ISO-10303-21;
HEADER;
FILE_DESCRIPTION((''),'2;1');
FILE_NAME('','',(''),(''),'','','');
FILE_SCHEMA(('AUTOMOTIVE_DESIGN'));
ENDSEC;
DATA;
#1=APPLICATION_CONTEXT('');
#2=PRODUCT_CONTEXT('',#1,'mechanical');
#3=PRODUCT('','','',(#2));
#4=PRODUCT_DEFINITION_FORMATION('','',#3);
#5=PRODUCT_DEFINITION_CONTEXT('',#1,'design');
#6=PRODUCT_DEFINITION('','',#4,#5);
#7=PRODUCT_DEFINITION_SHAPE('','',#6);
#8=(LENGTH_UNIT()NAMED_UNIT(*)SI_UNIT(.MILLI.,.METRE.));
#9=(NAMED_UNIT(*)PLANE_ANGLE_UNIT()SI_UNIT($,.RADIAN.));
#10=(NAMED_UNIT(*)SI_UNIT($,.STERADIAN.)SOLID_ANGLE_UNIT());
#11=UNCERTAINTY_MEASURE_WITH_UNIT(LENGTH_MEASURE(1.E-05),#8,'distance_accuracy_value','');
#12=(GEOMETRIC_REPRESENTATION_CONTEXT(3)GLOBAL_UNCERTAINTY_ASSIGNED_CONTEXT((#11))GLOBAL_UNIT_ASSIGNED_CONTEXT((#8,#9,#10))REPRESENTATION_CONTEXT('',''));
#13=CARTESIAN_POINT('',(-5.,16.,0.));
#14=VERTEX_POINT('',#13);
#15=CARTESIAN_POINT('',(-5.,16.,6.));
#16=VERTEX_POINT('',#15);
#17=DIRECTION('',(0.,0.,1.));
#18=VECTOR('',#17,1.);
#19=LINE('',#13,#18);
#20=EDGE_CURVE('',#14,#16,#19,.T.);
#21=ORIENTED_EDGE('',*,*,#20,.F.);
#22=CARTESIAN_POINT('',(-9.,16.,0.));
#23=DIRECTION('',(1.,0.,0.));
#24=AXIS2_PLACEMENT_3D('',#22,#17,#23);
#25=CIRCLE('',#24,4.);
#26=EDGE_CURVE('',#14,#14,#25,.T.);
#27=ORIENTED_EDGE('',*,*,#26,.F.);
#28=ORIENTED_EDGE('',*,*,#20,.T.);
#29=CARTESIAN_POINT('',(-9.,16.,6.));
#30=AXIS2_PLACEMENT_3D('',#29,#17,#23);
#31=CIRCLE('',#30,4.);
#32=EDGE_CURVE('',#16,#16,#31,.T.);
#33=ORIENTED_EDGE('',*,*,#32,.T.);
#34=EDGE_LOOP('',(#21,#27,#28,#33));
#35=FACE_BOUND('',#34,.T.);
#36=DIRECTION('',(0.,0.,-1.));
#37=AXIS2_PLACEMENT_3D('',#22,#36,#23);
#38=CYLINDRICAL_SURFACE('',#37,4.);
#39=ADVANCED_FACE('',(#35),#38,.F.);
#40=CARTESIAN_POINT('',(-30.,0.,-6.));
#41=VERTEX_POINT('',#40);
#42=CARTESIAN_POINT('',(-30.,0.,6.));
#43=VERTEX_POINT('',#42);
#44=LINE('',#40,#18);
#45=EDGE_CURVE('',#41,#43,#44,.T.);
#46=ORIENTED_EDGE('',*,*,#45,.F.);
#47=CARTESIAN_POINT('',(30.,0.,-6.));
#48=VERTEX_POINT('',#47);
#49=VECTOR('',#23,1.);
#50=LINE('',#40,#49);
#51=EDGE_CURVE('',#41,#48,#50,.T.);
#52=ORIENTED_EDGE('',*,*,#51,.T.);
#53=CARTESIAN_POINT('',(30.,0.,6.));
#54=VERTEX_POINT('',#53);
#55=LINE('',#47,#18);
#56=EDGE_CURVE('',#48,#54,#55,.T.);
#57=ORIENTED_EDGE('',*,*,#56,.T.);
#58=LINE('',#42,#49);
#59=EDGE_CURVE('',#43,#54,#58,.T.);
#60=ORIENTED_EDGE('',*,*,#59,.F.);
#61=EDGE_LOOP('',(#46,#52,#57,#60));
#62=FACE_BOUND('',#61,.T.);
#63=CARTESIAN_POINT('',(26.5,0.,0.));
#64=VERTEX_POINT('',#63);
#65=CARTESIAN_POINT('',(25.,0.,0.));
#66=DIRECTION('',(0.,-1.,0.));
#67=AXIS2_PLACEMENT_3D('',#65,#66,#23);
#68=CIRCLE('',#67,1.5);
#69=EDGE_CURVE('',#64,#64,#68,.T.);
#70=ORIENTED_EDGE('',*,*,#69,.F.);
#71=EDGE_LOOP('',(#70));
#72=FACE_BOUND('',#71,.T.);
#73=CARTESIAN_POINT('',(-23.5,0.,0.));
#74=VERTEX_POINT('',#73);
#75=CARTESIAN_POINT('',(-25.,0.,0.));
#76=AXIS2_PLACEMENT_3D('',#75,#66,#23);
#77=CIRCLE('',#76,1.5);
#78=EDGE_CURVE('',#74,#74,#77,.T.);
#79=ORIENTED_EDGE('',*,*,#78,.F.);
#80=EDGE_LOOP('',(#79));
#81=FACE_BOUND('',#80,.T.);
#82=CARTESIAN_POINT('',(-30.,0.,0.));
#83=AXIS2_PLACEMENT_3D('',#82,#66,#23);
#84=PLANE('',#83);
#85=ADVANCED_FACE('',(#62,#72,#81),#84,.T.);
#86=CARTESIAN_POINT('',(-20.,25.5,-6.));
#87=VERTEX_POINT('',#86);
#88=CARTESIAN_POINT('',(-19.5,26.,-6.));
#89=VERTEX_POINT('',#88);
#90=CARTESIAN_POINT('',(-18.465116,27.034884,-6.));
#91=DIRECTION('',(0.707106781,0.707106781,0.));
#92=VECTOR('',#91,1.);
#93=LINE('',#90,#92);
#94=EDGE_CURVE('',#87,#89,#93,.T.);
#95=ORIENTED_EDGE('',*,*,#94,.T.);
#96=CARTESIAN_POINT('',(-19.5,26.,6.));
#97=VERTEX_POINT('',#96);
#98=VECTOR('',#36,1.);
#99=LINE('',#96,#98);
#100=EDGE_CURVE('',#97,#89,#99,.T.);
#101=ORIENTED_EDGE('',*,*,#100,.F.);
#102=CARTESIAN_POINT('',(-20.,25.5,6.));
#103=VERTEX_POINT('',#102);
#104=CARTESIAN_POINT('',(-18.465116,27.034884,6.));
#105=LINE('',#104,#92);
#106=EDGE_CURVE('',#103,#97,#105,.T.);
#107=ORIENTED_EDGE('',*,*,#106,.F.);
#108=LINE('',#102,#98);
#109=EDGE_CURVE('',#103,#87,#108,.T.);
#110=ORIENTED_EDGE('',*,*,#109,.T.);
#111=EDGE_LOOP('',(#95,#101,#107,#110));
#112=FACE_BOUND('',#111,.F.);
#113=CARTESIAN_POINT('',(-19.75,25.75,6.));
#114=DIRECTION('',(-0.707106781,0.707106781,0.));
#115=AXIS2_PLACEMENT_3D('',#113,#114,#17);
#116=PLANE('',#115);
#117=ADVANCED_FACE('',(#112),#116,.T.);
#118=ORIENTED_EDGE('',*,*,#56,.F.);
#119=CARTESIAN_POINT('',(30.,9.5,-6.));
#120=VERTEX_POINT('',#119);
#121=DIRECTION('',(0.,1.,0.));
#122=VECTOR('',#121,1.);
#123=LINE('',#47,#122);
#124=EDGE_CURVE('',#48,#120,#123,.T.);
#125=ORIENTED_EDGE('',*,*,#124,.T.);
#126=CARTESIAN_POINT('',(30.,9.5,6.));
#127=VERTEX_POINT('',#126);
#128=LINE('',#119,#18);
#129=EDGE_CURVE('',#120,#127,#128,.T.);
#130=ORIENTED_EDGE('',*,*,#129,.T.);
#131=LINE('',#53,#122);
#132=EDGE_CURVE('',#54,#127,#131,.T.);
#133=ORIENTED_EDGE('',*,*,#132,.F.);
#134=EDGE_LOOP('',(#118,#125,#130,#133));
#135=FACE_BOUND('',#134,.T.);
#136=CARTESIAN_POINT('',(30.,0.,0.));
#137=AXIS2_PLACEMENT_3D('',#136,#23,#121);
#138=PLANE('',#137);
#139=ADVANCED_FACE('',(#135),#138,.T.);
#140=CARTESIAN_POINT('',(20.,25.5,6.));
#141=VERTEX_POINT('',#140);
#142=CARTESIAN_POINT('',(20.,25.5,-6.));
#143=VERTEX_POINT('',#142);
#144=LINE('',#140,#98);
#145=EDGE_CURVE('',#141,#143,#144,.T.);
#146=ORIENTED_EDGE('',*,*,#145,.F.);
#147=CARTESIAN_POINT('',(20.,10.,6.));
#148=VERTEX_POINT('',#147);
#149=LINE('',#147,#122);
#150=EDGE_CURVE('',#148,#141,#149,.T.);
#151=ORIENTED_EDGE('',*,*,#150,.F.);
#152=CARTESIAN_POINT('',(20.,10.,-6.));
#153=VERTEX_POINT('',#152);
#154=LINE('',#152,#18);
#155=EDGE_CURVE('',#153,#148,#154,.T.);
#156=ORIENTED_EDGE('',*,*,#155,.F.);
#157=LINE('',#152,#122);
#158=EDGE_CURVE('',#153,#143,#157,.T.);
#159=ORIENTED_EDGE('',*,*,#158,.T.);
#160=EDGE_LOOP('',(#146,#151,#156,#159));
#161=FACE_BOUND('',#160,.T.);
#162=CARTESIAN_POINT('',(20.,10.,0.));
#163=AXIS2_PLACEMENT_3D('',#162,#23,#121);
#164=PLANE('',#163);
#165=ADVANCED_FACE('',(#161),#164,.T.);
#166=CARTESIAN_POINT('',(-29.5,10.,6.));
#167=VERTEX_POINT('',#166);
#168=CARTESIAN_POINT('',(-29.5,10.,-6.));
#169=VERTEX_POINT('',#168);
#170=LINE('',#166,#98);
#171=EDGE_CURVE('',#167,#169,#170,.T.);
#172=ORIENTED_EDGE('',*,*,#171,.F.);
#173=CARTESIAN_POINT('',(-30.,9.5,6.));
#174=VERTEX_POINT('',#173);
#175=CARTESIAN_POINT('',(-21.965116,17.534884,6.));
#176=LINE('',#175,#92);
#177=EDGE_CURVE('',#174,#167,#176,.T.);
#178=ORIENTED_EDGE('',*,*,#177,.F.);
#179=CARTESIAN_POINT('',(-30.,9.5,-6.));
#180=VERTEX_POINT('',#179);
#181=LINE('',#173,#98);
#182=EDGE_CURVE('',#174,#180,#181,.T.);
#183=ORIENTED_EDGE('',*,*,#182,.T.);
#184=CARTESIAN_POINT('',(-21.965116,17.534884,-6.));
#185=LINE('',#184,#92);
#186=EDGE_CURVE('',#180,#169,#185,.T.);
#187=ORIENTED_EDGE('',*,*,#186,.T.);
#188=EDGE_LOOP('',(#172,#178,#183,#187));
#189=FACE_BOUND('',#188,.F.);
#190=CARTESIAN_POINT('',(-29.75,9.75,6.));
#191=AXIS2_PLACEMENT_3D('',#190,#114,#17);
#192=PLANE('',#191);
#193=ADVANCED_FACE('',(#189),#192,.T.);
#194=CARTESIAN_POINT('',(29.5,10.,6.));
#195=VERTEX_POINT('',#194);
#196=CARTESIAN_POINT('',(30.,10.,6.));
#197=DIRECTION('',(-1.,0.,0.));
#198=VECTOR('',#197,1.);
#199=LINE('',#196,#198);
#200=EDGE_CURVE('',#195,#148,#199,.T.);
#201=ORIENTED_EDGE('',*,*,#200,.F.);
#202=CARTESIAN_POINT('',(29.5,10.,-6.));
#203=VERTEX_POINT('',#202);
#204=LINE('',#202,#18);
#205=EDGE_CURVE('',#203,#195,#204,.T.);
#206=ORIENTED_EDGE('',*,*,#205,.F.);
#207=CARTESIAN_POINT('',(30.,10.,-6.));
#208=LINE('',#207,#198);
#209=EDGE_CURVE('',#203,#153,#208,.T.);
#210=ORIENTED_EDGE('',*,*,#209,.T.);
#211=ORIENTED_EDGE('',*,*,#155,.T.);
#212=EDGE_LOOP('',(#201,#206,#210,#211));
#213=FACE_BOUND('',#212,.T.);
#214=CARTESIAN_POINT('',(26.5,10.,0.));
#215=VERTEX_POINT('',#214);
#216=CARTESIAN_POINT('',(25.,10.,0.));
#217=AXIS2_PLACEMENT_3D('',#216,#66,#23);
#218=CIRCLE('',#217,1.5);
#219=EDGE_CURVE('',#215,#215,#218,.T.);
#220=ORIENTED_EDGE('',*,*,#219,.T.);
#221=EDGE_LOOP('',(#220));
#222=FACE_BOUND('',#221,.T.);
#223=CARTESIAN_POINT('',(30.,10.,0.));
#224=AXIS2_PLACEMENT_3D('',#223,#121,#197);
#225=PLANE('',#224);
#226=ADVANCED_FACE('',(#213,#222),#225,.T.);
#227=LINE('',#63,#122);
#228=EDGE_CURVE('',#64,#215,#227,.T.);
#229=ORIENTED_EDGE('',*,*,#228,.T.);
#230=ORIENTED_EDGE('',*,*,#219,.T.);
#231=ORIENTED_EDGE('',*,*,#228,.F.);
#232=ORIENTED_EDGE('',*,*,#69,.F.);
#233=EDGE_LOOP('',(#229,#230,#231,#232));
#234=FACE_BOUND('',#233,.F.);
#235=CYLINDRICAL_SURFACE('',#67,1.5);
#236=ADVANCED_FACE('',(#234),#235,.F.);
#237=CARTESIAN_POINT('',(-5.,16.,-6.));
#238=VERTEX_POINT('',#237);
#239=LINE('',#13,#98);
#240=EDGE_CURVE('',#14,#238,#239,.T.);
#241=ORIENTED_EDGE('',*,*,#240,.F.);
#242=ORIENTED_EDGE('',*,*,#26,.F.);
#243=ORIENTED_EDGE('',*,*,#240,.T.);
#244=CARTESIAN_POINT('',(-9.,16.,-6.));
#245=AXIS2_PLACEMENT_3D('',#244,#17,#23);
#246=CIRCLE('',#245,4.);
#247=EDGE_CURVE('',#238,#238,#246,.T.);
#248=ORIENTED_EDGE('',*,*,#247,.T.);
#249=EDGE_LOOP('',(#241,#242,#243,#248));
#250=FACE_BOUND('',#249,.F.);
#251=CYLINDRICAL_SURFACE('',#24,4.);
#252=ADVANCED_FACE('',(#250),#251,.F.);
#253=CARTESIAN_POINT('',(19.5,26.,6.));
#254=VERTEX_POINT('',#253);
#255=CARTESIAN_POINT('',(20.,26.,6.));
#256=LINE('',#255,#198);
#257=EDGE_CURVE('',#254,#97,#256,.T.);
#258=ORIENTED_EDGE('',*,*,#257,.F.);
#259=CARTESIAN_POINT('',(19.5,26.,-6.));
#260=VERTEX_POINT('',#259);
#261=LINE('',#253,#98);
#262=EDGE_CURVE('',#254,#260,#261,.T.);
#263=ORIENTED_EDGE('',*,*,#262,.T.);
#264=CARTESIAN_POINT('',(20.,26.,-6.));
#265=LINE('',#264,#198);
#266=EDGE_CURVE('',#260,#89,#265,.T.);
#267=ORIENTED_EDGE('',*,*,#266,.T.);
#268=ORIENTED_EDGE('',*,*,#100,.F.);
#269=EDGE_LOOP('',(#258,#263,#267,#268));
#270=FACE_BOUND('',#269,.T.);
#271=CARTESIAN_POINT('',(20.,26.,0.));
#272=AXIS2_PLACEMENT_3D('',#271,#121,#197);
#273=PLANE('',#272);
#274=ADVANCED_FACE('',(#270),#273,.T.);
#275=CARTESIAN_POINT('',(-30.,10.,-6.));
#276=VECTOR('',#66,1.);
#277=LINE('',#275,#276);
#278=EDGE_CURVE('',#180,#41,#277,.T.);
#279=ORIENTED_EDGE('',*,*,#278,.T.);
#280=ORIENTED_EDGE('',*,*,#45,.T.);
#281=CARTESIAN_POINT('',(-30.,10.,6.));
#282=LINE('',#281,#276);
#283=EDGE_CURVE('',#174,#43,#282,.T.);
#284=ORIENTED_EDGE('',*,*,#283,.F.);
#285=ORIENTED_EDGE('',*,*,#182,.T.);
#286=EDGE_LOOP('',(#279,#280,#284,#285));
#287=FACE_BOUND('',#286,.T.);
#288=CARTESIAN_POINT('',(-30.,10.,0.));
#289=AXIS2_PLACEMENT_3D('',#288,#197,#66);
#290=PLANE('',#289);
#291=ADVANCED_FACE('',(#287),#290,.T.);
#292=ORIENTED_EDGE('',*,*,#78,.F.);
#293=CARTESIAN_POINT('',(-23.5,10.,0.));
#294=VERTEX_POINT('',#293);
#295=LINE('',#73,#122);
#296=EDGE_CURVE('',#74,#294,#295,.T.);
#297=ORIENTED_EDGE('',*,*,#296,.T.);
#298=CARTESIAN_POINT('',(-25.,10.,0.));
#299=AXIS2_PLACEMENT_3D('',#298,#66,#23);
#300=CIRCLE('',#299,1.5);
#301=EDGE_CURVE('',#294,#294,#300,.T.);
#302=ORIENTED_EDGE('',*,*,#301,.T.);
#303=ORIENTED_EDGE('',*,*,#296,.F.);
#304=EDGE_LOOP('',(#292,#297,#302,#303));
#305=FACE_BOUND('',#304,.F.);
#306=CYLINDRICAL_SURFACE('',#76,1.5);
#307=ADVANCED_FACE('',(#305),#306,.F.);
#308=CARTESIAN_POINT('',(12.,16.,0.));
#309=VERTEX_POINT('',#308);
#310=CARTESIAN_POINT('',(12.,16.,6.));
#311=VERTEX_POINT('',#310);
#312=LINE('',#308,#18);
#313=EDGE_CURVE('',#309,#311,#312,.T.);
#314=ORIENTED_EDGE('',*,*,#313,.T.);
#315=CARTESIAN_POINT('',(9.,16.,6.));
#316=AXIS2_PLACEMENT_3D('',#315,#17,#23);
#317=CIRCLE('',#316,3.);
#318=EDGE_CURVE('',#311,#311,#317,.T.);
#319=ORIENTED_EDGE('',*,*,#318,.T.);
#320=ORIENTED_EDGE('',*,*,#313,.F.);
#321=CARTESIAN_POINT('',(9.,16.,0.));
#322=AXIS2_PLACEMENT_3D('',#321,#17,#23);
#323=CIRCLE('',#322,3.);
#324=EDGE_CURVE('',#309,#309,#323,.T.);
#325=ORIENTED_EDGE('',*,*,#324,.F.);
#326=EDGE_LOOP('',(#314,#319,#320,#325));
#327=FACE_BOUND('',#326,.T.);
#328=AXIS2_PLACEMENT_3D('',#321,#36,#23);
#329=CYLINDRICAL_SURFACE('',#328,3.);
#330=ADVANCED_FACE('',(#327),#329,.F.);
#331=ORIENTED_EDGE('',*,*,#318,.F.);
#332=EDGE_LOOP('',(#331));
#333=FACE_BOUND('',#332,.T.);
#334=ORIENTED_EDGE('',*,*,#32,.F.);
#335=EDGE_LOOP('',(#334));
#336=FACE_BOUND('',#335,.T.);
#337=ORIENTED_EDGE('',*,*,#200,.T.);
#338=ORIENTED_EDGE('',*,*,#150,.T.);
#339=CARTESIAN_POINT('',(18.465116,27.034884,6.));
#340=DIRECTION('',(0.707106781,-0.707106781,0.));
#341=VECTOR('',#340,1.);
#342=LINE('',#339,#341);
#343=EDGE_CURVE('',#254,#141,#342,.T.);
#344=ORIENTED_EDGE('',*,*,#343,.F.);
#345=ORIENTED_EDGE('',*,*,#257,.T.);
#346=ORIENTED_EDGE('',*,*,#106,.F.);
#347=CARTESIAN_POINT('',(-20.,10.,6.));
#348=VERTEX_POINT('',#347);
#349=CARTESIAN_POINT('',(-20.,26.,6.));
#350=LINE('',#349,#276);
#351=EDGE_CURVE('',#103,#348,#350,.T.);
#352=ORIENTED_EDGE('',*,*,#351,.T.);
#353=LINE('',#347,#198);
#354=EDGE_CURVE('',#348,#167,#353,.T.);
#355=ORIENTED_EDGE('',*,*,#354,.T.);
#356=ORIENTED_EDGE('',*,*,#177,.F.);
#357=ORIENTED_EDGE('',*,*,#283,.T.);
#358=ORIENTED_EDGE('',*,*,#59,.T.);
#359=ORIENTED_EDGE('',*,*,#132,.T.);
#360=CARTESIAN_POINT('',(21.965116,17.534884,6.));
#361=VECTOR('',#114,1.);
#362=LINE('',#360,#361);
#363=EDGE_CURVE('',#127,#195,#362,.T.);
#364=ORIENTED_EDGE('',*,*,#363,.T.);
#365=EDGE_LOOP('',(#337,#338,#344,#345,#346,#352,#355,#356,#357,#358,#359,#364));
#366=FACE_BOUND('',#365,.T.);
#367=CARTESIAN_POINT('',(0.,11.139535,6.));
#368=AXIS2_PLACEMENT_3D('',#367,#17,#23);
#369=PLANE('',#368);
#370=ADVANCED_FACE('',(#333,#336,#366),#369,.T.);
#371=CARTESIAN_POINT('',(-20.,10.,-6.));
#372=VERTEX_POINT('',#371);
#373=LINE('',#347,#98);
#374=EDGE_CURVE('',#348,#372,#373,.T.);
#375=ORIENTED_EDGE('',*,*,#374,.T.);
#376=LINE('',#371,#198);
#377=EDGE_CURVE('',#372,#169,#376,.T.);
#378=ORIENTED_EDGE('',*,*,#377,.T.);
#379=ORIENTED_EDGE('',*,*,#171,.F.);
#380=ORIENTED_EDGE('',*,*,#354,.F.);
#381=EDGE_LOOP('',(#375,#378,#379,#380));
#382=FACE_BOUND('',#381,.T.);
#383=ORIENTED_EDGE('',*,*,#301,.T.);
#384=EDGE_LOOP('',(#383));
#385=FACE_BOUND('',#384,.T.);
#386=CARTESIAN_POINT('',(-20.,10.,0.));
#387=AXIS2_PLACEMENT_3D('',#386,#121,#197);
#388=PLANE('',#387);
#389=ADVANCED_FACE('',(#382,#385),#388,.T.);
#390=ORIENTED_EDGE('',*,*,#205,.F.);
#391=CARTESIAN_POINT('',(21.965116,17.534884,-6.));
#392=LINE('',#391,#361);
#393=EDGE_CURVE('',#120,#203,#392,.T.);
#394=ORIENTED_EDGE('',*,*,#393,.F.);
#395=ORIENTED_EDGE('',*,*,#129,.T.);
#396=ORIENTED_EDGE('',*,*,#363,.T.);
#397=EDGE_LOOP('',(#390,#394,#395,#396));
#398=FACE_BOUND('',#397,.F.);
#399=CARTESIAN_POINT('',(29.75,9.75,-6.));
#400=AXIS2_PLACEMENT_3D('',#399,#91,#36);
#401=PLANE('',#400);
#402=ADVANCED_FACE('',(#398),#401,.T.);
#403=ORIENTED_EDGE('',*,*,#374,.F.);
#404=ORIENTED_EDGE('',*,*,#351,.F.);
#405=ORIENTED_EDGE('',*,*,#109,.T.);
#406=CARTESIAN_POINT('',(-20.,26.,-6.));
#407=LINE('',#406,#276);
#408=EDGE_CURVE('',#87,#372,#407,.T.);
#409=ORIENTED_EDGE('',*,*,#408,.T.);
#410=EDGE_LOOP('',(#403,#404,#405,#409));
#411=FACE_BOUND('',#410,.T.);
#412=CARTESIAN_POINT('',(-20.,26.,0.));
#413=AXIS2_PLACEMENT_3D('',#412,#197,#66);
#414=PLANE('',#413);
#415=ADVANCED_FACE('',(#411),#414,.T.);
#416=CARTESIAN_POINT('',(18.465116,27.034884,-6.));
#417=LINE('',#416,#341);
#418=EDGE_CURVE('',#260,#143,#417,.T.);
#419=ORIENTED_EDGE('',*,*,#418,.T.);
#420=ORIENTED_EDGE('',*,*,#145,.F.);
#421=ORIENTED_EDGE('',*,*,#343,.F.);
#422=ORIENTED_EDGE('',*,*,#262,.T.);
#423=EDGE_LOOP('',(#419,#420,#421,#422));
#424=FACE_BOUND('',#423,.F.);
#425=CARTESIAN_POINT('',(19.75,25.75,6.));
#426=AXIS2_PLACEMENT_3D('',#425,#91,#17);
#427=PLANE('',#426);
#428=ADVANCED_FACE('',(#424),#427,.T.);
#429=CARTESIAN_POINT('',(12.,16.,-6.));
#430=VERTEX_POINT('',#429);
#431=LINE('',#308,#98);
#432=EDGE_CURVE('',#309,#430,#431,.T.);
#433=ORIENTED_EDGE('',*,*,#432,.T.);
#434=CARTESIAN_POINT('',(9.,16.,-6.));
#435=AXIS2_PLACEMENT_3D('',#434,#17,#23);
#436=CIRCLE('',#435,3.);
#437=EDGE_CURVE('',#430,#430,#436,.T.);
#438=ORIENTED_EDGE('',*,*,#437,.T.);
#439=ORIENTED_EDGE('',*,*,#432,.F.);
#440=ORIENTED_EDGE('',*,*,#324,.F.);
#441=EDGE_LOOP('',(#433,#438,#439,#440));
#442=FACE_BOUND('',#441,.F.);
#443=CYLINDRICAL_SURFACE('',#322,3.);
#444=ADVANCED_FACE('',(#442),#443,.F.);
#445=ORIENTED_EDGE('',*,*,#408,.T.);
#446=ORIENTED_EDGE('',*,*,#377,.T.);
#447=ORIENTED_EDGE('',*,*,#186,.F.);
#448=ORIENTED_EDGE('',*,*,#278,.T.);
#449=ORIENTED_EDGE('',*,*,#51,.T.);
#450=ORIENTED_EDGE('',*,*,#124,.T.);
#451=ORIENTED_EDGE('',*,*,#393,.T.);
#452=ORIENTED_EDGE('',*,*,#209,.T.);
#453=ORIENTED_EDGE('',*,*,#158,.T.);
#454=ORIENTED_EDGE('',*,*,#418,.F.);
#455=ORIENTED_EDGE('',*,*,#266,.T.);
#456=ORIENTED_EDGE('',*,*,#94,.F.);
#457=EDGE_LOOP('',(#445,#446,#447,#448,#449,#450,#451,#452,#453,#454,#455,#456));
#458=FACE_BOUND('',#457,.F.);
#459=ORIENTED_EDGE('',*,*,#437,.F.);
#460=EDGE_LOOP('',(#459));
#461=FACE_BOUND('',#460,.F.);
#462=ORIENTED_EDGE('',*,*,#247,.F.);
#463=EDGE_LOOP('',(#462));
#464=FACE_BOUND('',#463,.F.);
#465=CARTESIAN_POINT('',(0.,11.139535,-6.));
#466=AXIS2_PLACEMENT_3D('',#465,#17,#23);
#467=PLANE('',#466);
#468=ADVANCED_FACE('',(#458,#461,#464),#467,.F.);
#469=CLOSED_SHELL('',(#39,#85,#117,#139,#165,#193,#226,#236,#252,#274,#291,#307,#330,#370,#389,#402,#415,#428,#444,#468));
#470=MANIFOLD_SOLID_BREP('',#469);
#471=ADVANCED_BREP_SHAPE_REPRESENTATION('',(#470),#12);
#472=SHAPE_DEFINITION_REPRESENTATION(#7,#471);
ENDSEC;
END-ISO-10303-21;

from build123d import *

# Parameters (mm, degrees)
F0_R          = 4
F0_R_2        = 3
F1_DEPTH      = 6
F1_DEPTH_BACK = 6
F2_R          = 1.5
F3_DEPTH      = 26.001
F4_SIZE       = 0.5


with BuildPart() as f1:
    # F0 (on Top) → F1 (new body, two sides)
    with BuildSketch(Plane.XY) as f1_sk:
        Polygon((-30, 10), (-30, 0), (30, 0), (30, 10), (20, 10), (20, 26), (-20, 26), (-20, 10), align=None)
        with Locations((-9, 16)):
            Circle(F0_R, mode=Mode.SUBTRACT)
        with Locations((9, 16)):
            Circle(F0_R_2, mode=Mode.SUBTRACT)
    extrude(amount=F1_DEPTH)
    extrude(f1_sk.sketch, amount=-F1_DEPTH_BACK)

    # F2 (on face) → F3 (cut, through all)
    with BuildSketch(Plane.XZ):
        with Locations((-25, 0)):
            Circle(F2_R)
        with Locations((25, 0)):
            Circle(F2_R)
    extrude(amount=-F3_DEPTH, mode=Mode.SUBTRACT)

    # F4
    f4_edges = [f1.edges().sort_by_distance(p)[0] for p in [
        (-20, 26, 0),
        (20, 26, 0),
        (30, 10, 0),
        (-30, 10, 0),
    ]]
    chamfer(f4_edges, length=F4_SIZE)


solid = f1.part
